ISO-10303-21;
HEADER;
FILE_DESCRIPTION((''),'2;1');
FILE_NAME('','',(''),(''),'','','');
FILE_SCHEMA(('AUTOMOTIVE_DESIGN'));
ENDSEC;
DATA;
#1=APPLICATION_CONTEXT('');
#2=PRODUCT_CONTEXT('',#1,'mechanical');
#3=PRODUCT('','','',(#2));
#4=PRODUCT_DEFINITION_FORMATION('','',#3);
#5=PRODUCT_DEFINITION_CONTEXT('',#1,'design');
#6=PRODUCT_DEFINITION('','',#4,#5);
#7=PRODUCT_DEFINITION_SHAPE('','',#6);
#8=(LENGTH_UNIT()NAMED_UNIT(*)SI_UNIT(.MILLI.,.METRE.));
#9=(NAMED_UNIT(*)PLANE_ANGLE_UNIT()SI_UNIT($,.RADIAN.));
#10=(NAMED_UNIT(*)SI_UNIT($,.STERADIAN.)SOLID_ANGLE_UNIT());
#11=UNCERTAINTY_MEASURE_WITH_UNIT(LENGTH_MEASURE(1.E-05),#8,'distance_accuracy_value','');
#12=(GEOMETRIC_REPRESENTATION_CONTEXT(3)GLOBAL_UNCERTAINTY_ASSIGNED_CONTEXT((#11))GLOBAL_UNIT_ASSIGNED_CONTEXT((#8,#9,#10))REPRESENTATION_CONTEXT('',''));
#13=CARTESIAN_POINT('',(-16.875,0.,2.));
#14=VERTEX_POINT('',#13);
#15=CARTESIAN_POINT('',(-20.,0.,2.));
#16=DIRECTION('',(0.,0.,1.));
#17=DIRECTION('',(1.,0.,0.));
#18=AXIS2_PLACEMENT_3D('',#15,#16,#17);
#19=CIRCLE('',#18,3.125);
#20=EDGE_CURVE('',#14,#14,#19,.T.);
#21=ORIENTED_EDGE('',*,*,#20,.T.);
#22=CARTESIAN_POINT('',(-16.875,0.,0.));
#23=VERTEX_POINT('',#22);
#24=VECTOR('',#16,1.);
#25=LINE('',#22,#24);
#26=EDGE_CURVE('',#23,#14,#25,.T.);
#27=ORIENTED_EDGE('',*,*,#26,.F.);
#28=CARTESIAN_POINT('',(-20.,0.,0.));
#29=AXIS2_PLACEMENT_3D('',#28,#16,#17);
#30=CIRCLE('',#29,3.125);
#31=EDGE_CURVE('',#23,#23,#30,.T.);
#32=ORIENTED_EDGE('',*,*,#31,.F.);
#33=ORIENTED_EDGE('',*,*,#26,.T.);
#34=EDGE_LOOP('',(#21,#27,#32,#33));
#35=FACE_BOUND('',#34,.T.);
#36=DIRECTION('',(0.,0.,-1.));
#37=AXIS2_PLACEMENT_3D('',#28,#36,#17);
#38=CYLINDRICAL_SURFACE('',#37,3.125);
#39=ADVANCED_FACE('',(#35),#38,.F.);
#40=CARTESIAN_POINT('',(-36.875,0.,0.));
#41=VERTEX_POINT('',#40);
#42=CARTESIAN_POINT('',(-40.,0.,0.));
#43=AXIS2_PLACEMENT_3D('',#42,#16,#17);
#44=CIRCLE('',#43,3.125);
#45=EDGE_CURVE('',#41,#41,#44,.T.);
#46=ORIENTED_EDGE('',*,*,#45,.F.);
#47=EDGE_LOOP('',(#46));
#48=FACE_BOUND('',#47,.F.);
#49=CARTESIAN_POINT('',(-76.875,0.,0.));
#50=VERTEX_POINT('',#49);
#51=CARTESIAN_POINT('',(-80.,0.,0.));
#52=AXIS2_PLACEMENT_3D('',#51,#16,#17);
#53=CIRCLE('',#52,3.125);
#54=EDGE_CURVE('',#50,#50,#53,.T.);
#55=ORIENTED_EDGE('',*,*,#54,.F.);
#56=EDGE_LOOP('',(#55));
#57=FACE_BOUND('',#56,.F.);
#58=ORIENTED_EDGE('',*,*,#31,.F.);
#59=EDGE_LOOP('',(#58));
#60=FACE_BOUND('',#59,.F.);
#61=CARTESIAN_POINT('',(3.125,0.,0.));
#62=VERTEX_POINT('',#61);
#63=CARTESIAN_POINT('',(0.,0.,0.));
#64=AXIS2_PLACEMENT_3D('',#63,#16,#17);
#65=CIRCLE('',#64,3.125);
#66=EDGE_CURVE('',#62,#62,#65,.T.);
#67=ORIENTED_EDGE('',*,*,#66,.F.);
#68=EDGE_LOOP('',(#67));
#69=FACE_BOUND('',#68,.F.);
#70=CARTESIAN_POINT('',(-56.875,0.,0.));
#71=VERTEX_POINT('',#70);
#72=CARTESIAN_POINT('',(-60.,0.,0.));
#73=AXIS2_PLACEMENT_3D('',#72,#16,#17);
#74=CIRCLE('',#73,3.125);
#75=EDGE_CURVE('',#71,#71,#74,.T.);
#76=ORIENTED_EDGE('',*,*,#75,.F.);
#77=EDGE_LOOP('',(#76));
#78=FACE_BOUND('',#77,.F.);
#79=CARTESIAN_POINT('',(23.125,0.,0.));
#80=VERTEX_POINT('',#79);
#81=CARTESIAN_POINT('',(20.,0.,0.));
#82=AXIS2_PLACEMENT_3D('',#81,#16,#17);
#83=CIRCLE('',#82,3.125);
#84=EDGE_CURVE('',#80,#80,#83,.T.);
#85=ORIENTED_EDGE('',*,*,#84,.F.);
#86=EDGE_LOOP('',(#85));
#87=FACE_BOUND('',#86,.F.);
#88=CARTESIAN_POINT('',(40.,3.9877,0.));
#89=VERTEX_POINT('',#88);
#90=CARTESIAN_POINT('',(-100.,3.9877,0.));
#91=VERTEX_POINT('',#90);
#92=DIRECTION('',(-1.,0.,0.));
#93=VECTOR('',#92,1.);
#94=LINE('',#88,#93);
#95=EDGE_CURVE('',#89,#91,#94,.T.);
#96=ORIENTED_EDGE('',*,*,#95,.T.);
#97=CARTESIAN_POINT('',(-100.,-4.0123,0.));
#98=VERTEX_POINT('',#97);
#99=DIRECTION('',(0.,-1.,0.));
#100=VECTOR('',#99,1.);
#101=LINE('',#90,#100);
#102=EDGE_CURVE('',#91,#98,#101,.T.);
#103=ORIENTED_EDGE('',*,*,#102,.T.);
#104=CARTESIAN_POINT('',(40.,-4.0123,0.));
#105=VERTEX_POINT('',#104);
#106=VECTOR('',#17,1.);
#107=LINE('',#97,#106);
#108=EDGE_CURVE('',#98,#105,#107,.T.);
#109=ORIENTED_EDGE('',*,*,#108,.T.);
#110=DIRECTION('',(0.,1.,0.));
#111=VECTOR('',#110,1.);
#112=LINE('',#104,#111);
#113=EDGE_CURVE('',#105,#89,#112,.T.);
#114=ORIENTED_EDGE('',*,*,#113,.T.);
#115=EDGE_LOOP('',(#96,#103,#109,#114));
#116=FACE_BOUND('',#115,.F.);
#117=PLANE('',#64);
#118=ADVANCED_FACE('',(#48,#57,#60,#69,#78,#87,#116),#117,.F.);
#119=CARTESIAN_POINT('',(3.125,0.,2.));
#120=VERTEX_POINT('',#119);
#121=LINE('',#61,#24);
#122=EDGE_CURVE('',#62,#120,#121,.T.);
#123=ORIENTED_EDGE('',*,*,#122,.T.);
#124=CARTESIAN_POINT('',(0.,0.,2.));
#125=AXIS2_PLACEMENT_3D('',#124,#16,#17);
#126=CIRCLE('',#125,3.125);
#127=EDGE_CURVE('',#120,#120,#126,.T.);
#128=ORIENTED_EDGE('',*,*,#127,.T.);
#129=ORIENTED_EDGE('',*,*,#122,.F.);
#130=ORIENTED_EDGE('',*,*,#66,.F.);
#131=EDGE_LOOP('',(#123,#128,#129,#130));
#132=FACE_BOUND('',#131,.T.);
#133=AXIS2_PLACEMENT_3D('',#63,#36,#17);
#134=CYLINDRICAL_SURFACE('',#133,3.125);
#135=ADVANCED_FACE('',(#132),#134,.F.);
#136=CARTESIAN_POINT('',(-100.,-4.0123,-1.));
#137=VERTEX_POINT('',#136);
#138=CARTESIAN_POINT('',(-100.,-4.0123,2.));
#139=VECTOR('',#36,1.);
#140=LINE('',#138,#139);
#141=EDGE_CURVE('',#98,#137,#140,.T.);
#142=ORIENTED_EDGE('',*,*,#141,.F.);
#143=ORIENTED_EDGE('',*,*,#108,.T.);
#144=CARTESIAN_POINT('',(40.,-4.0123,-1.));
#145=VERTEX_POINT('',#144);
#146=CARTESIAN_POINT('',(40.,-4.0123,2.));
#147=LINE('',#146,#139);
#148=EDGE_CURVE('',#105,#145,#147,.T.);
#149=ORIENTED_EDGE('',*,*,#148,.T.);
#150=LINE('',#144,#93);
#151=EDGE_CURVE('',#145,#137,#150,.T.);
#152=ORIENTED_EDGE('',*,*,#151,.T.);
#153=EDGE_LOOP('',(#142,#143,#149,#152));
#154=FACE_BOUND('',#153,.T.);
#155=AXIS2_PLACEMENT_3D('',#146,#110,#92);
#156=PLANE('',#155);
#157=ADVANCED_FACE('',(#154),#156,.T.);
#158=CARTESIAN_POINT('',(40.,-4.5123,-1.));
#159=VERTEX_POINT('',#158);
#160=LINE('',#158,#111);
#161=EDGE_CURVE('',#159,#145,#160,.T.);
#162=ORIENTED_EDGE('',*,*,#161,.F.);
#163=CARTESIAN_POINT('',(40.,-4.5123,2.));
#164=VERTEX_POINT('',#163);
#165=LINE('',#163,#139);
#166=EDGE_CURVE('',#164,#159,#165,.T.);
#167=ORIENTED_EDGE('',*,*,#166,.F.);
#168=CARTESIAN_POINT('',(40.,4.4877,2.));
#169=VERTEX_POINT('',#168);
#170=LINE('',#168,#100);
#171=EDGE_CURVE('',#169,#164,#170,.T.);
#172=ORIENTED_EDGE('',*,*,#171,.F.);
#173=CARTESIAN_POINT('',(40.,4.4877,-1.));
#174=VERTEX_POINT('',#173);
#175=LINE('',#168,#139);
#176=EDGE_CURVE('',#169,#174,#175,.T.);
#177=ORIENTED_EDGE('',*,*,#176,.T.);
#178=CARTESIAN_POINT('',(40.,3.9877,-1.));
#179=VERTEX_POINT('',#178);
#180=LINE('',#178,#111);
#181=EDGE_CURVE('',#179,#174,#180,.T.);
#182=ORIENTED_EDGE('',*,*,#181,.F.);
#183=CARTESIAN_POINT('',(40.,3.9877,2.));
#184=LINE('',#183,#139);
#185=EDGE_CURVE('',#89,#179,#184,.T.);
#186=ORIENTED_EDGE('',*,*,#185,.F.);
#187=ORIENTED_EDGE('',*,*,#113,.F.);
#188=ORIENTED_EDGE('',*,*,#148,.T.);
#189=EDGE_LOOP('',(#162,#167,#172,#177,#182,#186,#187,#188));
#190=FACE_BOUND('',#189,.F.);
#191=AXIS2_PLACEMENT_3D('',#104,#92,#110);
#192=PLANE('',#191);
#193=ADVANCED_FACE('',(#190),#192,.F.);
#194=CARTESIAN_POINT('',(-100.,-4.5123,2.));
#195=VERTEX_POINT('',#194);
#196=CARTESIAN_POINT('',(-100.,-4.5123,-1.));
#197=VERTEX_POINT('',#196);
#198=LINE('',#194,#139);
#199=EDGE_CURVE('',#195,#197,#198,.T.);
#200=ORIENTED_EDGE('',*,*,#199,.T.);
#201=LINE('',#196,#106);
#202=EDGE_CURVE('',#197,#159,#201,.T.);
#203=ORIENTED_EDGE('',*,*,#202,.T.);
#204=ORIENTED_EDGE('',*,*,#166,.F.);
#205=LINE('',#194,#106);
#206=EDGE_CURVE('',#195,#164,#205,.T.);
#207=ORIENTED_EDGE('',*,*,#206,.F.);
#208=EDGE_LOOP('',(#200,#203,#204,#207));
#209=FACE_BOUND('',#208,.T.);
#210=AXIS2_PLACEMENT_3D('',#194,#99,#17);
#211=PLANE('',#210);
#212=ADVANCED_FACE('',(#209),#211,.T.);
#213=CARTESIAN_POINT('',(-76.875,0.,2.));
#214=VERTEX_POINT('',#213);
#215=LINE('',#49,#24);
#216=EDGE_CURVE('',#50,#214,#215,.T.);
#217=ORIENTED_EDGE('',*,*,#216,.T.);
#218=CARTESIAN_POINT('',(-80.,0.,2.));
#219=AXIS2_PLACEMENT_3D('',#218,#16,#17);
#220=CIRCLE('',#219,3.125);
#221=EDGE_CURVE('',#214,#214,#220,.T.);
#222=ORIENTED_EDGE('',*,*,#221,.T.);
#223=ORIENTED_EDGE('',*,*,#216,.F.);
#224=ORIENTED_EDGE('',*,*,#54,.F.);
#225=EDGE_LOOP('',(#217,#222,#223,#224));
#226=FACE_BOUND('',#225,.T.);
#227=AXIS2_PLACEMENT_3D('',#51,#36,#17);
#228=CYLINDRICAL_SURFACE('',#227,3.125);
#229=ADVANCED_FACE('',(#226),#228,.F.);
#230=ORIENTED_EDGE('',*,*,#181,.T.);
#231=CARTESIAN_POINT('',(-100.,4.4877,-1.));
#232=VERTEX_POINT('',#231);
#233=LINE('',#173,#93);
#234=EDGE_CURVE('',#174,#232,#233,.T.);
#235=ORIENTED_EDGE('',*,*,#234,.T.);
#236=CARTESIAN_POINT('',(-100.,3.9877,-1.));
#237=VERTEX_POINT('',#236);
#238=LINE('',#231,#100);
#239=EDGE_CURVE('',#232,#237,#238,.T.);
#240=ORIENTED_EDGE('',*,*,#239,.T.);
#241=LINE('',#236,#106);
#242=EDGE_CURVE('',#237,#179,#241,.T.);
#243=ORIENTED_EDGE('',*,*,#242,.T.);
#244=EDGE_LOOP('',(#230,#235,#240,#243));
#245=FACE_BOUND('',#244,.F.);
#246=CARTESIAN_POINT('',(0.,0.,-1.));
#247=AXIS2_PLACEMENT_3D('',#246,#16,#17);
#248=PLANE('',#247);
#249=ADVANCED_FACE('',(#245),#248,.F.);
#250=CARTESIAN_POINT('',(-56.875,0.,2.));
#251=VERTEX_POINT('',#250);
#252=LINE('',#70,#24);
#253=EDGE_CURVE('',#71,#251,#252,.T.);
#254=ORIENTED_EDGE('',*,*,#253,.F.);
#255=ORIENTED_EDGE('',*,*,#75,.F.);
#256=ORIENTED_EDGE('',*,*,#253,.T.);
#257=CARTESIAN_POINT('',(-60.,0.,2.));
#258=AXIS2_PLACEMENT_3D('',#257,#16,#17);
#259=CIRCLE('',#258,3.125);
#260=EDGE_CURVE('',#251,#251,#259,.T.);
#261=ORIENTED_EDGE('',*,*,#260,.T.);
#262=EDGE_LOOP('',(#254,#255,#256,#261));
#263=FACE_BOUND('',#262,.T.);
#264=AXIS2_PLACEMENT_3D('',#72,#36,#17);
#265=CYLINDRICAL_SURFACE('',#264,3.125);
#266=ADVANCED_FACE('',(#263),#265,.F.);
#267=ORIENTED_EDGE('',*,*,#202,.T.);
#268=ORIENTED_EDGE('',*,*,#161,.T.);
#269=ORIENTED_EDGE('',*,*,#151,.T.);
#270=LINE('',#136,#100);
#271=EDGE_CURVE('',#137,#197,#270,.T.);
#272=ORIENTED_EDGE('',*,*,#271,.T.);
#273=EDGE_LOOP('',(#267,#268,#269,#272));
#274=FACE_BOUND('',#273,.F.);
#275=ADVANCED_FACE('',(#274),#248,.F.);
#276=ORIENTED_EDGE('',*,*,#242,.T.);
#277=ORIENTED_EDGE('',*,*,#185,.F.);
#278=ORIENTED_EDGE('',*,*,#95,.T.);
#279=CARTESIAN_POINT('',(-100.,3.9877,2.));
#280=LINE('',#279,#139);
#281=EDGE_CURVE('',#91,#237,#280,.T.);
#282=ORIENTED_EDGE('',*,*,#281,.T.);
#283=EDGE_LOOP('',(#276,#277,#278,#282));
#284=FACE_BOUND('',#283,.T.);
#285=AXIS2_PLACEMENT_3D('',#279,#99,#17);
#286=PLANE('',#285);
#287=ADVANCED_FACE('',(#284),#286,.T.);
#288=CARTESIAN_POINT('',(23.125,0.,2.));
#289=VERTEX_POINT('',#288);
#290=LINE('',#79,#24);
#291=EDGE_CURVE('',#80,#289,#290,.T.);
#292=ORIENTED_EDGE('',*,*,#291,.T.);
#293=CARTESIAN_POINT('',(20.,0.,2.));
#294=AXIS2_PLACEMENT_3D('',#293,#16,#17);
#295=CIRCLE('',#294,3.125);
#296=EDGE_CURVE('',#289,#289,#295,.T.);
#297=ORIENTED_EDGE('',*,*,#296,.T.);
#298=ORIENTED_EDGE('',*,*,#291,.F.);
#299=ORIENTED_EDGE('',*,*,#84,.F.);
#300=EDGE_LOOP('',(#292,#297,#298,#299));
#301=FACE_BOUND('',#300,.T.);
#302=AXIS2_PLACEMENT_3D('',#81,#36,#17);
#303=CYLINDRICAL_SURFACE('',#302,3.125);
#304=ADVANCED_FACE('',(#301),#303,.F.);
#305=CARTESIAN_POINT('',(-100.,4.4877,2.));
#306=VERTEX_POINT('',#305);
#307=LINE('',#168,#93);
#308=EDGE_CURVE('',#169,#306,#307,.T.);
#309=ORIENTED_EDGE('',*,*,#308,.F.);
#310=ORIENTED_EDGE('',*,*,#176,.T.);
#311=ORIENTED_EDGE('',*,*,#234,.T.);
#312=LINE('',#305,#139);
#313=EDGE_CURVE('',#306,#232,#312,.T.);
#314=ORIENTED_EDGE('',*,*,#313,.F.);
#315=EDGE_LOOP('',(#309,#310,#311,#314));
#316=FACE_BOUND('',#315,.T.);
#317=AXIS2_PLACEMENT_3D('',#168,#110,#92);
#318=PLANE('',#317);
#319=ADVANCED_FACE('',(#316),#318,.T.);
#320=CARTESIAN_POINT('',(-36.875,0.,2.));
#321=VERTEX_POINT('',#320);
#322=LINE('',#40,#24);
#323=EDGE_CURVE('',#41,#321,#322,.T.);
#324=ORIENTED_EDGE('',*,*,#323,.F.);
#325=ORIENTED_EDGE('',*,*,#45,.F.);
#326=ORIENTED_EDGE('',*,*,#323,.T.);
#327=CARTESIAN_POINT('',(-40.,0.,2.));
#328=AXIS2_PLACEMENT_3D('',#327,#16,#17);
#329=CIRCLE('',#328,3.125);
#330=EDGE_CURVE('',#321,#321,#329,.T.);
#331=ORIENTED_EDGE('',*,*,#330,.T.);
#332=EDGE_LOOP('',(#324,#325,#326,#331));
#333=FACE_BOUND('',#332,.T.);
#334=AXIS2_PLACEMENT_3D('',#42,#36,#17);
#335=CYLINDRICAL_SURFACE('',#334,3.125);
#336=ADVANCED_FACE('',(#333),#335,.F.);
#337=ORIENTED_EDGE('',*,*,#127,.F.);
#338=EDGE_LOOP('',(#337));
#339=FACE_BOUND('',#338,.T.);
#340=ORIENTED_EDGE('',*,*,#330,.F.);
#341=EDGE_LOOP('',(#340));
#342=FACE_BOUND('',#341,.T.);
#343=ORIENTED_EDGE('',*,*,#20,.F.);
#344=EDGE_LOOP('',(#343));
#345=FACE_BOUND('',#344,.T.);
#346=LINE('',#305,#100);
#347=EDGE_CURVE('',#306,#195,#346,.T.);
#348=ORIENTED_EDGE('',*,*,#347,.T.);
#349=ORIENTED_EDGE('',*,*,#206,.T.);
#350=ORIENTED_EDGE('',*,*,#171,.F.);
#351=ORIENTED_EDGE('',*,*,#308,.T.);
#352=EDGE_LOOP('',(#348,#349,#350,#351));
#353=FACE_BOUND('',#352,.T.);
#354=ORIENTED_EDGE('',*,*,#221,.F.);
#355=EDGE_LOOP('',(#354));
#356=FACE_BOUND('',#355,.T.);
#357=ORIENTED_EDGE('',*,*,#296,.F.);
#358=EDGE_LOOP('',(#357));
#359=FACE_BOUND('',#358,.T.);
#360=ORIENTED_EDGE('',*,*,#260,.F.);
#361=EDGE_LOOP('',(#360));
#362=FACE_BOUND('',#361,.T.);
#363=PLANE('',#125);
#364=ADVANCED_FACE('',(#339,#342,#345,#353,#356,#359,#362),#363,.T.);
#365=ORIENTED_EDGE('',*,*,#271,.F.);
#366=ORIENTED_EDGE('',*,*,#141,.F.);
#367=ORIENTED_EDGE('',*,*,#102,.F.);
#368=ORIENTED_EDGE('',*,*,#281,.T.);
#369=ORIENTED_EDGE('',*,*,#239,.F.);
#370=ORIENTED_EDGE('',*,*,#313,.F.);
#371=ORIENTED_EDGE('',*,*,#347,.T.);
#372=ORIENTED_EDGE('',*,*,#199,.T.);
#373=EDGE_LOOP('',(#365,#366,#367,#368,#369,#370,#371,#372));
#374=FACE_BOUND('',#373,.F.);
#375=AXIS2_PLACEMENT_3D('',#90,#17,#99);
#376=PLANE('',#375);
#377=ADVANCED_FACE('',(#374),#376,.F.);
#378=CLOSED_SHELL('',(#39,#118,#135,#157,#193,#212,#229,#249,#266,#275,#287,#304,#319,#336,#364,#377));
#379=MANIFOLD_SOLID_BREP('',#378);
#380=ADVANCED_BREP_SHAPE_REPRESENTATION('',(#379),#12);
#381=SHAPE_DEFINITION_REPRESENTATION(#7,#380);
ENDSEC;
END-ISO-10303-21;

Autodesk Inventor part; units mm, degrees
ref_plane "YZ Plane" through (0, 0, 0) normal (1, 0, 0) x (0, 1, 0)
ref_plane "XZ Plane" through (0, 0, 0) normal (0, 1, 0) x (-1, 0, 0)
ref_plane "XY Plane" through (0, 0, 0) normal (0, 0, 1) x (1, 0, 0)
sketch "Esquisse1" plane through (0, 0, 0) normal (0, 0, 1) x (1, 0, 0)
  line L0 (40, 3.9877) -> (-100, 3.9877)
  line L1 (-100, 3.9877) -> (-100, -4.0123)
  line L2 (-100, -4.0123) -> (40, -4.0123)
  line L3 (40, -4.0123) -> (40, 3.9877)
  circle A0 centre (0, 0) radius 3.125
  line L4 (15.1704, 0) -> (0, 0) construction
  circle A1 centre (-20, 0) radius 3.125
  circle A2 centre (-40, 0) radius 3.125
  circle A3 centre (-60, 0) radius 3.125
  circle A4 centre (-80, 0) radius 3.125
  circle A5 centre (20, 0) radius 3.125
  dimension "d0" = 8
  dimension "d1" = 140
  dimension "d2" = 40
  dimension "d3" = 6.25
  dimension "d6" = 20
  dimension "d13" = 20
extrude "Extrusion1" add sketch "Esquisse1" along normal blind 2
sketch "Esquisse2" plane through (0, 0, 2) normal (0, 0, 1) x (1, 0, 0)
  line L0 (-100, 3.9877) -> (40, 3.9877)
  line L1 (40, 3.9877) -> (40, 4.4877)
  line L2 (40, 4.4877) -> (-100, 4.4877)
  line L3 (-100, 4.4877) -> (-100, 3.9877)
  line L4 (40, -4.0123) -> (-100, -4.0123)
  line L5 (-100, -4.0123) -> (-100, -4.5123)
  line L6 (-100, -4.5123) -> (40, -4.5123)
  line L7 (40, -4.5123) -> (40, -4.0123)
  point P0 (0, 0)
  dimension "d20" = 140
  dimension "d21" = 140
  dimension "d22" = 0.5
  dimension "d23" = 0.5
extrude "Extrusion2" add sketch "Esquisse2" against normal blind 3
properties part number "couvercle"
